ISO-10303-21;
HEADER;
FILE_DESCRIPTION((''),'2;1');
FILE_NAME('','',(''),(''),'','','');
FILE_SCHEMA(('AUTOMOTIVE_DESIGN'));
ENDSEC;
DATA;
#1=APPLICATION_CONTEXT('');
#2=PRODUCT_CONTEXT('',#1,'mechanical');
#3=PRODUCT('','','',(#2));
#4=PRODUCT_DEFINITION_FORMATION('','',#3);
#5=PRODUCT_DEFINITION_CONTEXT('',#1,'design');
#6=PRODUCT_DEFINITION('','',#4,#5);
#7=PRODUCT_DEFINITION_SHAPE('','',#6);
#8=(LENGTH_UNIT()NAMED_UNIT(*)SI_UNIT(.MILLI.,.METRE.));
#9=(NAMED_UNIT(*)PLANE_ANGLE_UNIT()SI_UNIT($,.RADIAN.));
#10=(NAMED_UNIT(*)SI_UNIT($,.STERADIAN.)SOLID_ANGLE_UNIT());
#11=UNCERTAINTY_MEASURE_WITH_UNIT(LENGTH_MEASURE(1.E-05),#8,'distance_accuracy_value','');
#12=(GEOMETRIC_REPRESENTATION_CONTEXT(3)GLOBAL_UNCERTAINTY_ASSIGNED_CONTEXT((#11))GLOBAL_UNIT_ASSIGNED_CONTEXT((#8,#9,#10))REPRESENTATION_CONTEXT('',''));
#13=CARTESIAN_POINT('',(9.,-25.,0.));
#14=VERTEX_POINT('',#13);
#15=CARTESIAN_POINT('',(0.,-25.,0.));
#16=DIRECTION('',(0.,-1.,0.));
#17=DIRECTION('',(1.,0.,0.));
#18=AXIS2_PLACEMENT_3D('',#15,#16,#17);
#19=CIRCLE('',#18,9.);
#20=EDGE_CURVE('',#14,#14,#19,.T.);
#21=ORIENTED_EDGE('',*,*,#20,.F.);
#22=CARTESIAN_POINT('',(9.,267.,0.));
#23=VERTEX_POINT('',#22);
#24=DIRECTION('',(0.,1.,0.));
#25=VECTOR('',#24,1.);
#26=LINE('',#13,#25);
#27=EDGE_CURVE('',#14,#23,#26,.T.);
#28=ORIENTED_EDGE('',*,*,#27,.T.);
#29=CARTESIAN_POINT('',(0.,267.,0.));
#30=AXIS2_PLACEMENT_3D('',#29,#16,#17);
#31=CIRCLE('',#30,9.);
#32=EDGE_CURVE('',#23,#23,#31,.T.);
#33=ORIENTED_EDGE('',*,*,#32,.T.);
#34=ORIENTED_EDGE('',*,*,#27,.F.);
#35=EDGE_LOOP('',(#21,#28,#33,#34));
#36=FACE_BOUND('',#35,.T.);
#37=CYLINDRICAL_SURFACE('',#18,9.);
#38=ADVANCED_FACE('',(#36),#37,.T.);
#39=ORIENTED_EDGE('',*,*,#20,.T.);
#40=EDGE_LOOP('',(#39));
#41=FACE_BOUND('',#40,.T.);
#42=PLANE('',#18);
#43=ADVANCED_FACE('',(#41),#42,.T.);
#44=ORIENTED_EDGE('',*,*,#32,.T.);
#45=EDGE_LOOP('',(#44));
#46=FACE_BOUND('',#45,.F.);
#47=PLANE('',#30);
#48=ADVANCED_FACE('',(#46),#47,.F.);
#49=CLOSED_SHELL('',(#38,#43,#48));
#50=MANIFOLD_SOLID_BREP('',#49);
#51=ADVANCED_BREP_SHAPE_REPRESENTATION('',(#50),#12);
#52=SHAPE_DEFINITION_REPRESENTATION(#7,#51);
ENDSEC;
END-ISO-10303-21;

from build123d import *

# Parameters (mm, degrees)
F1_R     = 9
F2_DEPTH = 292


with BuildPart() as f2:
    # F1 (on offset) → F2 (new body)
    with BuildSketch(Plane.XZ.offset(25)):
        Circle(F1_R)
    extrude(amount=-F2_DEPTH)


solid = f2.part
